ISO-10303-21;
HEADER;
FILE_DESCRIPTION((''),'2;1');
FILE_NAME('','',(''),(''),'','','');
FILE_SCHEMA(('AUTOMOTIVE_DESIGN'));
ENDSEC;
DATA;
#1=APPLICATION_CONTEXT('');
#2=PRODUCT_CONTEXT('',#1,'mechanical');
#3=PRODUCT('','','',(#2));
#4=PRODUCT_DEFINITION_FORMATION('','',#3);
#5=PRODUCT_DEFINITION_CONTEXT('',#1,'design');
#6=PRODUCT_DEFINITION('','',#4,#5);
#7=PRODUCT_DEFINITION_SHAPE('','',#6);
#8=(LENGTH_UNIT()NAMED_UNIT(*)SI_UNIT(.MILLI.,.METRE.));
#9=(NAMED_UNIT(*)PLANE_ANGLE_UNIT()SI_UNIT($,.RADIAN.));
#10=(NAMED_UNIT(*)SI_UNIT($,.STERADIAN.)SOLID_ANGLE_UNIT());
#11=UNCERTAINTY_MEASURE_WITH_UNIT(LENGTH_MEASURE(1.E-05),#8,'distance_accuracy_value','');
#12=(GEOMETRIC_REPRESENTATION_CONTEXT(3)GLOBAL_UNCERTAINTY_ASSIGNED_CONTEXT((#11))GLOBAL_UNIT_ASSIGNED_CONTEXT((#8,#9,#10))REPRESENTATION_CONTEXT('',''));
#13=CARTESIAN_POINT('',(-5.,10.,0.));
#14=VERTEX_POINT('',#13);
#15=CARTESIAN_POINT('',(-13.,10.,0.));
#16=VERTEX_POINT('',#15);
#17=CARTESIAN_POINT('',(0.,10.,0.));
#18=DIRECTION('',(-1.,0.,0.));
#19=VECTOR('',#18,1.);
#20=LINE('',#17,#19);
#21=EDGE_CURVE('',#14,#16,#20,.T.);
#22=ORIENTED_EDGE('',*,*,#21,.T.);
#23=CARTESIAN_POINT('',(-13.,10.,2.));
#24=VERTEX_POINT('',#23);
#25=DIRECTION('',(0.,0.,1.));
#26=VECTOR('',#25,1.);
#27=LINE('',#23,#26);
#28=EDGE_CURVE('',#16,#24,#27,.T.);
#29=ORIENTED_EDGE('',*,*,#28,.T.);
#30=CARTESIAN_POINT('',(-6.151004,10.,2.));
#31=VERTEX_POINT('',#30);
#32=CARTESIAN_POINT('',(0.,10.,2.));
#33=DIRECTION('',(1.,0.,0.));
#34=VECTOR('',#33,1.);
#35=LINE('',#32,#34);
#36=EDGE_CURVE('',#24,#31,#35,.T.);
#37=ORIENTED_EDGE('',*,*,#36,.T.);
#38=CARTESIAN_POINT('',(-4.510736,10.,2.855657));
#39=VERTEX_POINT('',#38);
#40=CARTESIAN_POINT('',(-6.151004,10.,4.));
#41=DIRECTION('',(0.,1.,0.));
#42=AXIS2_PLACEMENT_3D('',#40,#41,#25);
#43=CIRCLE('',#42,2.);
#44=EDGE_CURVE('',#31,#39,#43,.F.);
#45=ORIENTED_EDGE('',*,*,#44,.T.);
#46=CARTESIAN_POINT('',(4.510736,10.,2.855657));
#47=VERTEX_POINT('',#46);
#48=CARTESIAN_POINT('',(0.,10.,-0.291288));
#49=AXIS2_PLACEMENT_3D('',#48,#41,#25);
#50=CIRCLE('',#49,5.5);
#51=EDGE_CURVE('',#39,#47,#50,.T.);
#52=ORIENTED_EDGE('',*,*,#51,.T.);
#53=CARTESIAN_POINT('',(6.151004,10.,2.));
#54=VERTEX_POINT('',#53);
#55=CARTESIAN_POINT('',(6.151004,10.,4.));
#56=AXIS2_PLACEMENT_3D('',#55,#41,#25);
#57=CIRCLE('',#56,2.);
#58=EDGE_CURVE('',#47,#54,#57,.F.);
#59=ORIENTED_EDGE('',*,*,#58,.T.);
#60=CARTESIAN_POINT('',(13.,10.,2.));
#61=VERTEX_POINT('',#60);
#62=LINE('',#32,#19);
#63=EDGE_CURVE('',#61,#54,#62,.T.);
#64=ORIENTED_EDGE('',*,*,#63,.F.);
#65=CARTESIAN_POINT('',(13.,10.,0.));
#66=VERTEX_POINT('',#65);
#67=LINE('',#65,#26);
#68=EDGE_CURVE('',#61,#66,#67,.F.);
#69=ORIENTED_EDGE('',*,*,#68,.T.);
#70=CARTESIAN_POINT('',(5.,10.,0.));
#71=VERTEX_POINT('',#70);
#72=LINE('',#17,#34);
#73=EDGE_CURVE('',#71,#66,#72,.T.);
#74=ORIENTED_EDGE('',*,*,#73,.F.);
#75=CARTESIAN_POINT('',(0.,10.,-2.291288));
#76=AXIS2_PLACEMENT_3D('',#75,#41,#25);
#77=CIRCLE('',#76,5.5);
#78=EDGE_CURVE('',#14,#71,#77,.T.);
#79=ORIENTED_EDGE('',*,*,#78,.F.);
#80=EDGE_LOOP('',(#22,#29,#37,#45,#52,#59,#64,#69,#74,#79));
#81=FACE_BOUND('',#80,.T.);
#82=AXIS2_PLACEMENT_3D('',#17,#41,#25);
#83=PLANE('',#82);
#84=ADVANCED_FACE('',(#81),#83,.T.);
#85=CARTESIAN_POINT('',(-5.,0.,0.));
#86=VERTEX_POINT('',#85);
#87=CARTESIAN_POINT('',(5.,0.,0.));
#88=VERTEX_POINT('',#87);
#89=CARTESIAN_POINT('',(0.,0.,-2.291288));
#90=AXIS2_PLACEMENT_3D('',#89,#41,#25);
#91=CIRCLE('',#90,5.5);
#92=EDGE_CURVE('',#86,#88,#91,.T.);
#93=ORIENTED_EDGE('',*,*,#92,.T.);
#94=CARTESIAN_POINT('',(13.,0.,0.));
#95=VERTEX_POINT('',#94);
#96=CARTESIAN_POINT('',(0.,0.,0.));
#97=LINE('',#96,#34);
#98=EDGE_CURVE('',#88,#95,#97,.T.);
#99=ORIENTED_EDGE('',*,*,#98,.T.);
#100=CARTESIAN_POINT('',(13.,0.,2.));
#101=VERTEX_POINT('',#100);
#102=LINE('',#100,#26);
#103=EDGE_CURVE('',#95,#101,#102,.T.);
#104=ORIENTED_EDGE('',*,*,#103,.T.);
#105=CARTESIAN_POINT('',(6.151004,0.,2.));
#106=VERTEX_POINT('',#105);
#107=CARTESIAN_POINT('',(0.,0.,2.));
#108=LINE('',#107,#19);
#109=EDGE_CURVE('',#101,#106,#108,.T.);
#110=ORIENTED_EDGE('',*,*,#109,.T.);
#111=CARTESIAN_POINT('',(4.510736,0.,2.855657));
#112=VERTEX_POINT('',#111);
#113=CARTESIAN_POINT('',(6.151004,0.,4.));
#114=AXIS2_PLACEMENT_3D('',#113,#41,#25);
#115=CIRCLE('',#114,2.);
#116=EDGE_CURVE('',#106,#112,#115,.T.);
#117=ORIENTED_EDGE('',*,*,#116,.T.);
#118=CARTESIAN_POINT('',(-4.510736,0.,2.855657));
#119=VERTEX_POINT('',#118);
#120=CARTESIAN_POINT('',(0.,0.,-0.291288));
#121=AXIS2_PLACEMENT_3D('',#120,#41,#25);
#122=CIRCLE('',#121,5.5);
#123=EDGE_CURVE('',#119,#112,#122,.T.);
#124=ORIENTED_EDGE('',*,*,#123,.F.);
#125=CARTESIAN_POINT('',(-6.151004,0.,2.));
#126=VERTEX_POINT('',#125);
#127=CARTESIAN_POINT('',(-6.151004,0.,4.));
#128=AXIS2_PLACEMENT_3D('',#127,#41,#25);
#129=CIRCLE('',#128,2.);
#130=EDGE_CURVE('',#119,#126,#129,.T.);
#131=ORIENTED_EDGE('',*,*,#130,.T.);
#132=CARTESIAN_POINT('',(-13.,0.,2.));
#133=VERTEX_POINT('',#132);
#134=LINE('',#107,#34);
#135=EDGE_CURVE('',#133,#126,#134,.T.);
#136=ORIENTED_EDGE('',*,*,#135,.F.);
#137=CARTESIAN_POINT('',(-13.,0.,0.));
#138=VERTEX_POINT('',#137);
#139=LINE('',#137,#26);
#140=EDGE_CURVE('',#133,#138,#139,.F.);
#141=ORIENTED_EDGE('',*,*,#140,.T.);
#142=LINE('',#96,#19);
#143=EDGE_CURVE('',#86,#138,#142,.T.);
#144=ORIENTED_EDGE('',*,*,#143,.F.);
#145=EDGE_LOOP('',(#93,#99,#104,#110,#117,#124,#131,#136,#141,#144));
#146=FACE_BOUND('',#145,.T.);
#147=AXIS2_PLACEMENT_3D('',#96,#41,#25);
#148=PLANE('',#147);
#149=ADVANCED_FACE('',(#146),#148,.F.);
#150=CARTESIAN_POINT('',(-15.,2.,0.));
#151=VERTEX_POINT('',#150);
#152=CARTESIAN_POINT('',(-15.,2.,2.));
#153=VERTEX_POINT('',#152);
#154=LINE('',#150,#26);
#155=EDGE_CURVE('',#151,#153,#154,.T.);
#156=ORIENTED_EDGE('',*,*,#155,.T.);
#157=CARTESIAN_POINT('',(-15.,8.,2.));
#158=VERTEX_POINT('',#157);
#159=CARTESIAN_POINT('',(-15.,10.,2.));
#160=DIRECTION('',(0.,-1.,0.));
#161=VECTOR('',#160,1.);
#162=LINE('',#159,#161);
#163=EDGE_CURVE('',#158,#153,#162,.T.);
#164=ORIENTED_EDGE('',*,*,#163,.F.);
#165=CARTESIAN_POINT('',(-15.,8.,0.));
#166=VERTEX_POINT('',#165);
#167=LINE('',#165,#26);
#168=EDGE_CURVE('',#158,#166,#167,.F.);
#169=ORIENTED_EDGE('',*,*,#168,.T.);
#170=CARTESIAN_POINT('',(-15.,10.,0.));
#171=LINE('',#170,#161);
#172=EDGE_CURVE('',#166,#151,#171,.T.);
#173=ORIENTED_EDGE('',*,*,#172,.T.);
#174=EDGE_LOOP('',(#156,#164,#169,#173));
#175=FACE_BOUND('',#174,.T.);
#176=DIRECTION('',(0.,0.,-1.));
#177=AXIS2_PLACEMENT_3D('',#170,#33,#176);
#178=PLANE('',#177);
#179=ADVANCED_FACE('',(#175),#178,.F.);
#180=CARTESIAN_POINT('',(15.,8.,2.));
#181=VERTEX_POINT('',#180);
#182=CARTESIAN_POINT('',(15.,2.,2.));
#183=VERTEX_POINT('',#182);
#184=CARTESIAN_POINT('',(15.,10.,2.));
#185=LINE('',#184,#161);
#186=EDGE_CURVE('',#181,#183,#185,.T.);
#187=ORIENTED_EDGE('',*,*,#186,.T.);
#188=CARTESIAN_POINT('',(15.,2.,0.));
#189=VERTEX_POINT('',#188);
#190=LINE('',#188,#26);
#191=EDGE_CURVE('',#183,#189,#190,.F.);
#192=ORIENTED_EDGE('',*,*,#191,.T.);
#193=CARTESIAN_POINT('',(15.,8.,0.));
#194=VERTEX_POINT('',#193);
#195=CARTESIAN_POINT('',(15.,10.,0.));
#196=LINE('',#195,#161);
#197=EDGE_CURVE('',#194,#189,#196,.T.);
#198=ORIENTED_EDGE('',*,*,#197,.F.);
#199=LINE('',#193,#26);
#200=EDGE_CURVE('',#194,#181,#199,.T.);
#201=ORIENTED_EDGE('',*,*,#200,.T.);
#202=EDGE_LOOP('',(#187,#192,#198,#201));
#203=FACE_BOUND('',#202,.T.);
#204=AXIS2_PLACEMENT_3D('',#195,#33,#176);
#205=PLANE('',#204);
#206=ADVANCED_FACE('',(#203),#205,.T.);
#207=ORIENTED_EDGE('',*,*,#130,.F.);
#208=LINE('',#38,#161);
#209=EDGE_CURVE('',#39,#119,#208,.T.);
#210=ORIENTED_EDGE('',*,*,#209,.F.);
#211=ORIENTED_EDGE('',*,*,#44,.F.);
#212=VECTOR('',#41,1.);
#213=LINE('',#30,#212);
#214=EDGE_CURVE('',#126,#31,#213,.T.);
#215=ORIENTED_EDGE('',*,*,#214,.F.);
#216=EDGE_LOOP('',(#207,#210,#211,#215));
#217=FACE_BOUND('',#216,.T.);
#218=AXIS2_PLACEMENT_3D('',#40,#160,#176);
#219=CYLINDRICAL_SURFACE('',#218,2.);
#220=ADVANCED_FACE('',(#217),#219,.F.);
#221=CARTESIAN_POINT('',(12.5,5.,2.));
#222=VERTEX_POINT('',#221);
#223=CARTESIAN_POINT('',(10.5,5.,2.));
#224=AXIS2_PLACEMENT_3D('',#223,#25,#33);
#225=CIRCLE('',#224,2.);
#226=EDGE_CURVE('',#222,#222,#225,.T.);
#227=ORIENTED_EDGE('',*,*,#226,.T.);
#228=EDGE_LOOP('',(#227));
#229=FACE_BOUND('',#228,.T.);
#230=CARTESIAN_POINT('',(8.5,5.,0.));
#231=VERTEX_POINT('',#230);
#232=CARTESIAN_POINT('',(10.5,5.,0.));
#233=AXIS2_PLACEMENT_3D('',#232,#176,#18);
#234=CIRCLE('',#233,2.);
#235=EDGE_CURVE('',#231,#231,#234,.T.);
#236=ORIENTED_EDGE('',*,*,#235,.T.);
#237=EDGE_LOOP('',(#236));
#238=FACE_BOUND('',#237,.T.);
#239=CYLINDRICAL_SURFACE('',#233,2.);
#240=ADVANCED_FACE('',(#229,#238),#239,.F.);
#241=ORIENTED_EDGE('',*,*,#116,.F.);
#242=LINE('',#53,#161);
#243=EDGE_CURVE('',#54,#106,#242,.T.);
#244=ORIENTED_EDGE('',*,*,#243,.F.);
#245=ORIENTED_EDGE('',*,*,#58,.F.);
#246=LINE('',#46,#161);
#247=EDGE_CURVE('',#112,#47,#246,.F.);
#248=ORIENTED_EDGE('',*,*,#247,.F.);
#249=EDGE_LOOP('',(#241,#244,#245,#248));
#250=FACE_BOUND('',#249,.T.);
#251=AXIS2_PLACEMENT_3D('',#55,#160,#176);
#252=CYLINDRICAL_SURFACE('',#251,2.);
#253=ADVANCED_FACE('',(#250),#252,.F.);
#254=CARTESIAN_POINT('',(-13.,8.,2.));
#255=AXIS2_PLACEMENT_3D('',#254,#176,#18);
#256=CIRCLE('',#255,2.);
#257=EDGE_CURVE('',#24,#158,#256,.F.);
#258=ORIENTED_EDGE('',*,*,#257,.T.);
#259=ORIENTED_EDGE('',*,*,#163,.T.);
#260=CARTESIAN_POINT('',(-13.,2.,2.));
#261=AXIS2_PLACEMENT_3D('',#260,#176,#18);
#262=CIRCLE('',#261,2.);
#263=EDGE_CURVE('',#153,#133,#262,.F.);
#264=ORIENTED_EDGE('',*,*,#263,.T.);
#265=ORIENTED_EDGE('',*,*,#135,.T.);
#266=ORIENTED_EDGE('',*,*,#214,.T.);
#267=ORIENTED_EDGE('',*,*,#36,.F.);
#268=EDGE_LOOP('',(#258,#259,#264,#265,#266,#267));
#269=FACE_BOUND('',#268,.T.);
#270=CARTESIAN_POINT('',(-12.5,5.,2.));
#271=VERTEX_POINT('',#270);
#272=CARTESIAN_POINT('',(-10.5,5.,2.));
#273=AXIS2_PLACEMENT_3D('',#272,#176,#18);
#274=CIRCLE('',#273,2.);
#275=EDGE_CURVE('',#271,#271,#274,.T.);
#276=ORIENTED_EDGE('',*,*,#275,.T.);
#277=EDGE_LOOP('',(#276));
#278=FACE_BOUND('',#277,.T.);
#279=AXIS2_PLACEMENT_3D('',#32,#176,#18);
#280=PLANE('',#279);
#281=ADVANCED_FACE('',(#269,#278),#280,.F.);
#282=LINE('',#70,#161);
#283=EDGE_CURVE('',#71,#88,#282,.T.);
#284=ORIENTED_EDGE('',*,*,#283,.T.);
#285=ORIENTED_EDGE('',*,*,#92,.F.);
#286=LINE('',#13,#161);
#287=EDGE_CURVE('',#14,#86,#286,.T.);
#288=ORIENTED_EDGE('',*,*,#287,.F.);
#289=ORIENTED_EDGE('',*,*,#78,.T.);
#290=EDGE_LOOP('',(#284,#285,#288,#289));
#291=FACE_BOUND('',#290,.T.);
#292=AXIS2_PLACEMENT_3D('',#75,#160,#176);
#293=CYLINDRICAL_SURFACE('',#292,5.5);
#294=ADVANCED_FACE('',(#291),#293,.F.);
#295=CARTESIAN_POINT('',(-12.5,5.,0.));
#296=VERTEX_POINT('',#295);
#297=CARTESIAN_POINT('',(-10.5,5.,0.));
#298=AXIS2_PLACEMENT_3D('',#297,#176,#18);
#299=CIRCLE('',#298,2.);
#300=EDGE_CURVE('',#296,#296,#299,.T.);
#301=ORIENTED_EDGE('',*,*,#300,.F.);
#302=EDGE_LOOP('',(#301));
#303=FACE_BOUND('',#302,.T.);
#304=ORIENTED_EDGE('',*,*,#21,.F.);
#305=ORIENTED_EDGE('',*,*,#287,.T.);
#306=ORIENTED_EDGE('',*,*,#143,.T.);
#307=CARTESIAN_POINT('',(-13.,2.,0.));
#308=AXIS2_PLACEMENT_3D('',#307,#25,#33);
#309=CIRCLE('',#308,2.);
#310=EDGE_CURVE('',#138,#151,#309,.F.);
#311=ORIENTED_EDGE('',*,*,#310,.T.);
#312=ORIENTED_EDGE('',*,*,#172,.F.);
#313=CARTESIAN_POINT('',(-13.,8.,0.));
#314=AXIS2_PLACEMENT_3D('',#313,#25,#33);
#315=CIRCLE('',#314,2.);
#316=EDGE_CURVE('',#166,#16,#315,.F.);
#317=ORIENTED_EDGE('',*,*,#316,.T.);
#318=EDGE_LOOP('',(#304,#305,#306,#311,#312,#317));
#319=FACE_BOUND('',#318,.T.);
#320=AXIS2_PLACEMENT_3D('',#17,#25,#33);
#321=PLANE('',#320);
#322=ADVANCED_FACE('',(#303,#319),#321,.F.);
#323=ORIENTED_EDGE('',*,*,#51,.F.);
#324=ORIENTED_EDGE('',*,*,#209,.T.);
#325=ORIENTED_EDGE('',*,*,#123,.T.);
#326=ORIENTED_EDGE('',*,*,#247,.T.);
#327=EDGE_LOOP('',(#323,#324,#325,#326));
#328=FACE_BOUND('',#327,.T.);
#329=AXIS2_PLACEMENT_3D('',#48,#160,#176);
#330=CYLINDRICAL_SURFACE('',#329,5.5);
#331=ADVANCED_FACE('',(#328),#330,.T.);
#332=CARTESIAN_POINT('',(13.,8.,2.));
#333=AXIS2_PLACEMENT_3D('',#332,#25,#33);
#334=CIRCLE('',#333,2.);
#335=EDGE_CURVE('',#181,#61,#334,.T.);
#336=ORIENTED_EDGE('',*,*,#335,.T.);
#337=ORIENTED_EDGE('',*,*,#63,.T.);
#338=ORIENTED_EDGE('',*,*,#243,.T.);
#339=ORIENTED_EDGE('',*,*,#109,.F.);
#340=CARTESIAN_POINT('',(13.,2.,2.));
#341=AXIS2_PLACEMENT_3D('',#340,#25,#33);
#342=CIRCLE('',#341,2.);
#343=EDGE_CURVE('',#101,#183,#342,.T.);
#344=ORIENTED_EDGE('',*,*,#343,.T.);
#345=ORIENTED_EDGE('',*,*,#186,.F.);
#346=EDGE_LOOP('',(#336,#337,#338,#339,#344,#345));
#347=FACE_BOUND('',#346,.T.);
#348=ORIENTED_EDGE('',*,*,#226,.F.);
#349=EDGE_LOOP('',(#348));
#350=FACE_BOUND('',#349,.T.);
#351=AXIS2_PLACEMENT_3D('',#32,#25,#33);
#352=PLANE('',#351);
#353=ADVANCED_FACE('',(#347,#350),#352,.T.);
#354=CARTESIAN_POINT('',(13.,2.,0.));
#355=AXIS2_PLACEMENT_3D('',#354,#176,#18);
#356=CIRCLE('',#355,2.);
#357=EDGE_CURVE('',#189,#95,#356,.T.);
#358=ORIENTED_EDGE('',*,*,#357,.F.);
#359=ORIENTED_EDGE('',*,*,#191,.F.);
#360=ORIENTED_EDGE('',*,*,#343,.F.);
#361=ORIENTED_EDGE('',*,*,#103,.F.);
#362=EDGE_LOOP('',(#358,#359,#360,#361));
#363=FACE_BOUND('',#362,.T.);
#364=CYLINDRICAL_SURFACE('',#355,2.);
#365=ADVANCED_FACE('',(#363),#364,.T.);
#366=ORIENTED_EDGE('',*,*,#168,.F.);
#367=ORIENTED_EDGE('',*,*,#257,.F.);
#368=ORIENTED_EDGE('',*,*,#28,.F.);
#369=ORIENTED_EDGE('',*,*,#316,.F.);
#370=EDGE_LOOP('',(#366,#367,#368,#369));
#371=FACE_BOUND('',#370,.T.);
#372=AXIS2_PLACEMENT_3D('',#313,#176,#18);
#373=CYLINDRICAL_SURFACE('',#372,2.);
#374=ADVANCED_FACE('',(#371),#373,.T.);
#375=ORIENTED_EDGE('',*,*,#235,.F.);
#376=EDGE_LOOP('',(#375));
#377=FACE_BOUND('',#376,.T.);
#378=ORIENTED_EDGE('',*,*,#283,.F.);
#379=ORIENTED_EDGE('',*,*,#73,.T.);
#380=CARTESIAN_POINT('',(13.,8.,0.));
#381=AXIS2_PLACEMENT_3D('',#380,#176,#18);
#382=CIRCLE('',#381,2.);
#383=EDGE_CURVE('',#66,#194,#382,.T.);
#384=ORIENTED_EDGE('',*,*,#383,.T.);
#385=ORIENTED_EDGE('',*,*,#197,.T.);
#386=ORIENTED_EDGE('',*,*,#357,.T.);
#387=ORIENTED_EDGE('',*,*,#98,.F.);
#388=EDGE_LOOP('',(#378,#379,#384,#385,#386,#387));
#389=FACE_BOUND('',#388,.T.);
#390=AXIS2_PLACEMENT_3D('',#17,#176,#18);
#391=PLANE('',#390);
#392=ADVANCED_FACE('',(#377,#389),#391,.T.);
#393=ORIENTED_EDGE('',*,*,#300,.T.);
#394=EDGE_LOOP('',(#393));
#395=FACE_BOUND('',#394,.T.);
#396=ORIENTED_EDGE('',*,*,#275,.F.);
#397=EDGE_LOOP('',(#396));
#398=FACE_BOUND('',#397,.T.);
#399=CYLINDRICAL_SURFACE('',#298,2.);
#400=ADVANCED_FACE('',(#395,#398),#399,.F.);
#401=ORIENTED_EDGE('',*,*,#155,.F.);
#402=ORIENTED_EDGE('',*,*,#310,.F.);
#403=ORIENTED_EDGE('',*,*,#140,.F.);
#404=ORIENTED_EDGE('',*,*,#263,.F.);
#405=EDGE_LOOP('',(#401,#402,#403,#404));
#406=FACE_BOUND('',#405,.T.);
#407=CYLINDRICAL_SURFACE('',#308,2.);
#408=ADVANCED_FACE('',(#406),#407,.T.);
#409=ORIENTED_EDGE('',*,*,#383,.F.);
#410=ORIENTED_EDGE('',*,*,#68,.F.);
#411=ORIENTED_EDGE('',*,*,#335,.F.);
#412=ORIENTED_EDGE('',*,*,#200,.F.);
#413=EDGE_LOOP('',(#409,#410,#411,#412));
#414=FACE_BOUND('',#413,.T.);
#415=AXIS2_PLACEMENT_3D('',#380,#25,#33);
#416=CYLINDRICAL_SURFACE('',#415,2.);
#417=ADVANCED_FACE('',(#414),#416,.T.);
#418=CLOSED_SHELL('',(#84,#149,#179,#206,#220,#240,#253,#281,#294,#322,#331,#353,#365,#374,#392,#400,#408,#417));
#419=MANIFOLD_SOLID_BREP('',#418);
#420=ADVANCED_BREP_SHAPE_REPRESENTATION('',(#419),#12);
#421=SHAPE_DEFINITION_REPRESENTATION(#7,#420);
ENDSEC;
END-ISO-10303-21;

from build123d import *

# Parameters (mm, degrees)
BOSS_EXTRUDE1_DEPTH   = 10
FILLET1_R             = 2
FILLET2_R             = 2
F_4_0MM_DOWEL_HOLE1_D = 4


with BuildPart() as part:
    # Sketch1 → Boss-Extrude1 (new body)
    with BuildSketch(Plane(origin=(0, 0, 0), x_dir=(1, 0, 0), z_dir=(0, 1, 0))):
        with BuildLine():
            Line((-15, -2), (-5, -2))
            ThreePointArc((-5, -2), (0, -5.208712153), (5, -2))
            Line((5, -2), (15, -2))
            Line((15, -2), (15, 0))
            Line((15, 0), (5, 0))
            ThreePointArc((5, 0), (0, -3.208712153), (-5, 0))
            Line((-5, 0), (-15, 0))
            Line((-15, 0), (-15, -2))
        make_face()
    extrude(amount=BOSS_EXTRUDE1_DEPTH)

    # Fillet1
    fillet1_edges = [part.edges().sort_by_distance(p)[0] for p in [
        (5, 5, 2),
        (-5, 5, 2),
    ]]
    fillet(fillet1_edges, radius=FILLET1_R)

    # Fillet2
    fillet2_edges = [part.edges().sort_by_distance(p)[0] for p in [
        (15, 0, 1),
        (15, 10, 1),
        (-15, 10, 1),
        (-15, 0, 1),
    ]]
    fillet(fillet2_edges, radius=FILLET2_R)

    # Ø4.0mm Dowel Hole1 (through all)
    with Locations(Plane(origin=(0, 0, 0), x_dir=(1, 0, 0), z_dir=(0, 0, -1))):
        with Locations((10.5, -5), (-10.5, -5)):
            Hole(F_4_0MM_DOWEL_HOLE1_D / 2)


solid = part.part
